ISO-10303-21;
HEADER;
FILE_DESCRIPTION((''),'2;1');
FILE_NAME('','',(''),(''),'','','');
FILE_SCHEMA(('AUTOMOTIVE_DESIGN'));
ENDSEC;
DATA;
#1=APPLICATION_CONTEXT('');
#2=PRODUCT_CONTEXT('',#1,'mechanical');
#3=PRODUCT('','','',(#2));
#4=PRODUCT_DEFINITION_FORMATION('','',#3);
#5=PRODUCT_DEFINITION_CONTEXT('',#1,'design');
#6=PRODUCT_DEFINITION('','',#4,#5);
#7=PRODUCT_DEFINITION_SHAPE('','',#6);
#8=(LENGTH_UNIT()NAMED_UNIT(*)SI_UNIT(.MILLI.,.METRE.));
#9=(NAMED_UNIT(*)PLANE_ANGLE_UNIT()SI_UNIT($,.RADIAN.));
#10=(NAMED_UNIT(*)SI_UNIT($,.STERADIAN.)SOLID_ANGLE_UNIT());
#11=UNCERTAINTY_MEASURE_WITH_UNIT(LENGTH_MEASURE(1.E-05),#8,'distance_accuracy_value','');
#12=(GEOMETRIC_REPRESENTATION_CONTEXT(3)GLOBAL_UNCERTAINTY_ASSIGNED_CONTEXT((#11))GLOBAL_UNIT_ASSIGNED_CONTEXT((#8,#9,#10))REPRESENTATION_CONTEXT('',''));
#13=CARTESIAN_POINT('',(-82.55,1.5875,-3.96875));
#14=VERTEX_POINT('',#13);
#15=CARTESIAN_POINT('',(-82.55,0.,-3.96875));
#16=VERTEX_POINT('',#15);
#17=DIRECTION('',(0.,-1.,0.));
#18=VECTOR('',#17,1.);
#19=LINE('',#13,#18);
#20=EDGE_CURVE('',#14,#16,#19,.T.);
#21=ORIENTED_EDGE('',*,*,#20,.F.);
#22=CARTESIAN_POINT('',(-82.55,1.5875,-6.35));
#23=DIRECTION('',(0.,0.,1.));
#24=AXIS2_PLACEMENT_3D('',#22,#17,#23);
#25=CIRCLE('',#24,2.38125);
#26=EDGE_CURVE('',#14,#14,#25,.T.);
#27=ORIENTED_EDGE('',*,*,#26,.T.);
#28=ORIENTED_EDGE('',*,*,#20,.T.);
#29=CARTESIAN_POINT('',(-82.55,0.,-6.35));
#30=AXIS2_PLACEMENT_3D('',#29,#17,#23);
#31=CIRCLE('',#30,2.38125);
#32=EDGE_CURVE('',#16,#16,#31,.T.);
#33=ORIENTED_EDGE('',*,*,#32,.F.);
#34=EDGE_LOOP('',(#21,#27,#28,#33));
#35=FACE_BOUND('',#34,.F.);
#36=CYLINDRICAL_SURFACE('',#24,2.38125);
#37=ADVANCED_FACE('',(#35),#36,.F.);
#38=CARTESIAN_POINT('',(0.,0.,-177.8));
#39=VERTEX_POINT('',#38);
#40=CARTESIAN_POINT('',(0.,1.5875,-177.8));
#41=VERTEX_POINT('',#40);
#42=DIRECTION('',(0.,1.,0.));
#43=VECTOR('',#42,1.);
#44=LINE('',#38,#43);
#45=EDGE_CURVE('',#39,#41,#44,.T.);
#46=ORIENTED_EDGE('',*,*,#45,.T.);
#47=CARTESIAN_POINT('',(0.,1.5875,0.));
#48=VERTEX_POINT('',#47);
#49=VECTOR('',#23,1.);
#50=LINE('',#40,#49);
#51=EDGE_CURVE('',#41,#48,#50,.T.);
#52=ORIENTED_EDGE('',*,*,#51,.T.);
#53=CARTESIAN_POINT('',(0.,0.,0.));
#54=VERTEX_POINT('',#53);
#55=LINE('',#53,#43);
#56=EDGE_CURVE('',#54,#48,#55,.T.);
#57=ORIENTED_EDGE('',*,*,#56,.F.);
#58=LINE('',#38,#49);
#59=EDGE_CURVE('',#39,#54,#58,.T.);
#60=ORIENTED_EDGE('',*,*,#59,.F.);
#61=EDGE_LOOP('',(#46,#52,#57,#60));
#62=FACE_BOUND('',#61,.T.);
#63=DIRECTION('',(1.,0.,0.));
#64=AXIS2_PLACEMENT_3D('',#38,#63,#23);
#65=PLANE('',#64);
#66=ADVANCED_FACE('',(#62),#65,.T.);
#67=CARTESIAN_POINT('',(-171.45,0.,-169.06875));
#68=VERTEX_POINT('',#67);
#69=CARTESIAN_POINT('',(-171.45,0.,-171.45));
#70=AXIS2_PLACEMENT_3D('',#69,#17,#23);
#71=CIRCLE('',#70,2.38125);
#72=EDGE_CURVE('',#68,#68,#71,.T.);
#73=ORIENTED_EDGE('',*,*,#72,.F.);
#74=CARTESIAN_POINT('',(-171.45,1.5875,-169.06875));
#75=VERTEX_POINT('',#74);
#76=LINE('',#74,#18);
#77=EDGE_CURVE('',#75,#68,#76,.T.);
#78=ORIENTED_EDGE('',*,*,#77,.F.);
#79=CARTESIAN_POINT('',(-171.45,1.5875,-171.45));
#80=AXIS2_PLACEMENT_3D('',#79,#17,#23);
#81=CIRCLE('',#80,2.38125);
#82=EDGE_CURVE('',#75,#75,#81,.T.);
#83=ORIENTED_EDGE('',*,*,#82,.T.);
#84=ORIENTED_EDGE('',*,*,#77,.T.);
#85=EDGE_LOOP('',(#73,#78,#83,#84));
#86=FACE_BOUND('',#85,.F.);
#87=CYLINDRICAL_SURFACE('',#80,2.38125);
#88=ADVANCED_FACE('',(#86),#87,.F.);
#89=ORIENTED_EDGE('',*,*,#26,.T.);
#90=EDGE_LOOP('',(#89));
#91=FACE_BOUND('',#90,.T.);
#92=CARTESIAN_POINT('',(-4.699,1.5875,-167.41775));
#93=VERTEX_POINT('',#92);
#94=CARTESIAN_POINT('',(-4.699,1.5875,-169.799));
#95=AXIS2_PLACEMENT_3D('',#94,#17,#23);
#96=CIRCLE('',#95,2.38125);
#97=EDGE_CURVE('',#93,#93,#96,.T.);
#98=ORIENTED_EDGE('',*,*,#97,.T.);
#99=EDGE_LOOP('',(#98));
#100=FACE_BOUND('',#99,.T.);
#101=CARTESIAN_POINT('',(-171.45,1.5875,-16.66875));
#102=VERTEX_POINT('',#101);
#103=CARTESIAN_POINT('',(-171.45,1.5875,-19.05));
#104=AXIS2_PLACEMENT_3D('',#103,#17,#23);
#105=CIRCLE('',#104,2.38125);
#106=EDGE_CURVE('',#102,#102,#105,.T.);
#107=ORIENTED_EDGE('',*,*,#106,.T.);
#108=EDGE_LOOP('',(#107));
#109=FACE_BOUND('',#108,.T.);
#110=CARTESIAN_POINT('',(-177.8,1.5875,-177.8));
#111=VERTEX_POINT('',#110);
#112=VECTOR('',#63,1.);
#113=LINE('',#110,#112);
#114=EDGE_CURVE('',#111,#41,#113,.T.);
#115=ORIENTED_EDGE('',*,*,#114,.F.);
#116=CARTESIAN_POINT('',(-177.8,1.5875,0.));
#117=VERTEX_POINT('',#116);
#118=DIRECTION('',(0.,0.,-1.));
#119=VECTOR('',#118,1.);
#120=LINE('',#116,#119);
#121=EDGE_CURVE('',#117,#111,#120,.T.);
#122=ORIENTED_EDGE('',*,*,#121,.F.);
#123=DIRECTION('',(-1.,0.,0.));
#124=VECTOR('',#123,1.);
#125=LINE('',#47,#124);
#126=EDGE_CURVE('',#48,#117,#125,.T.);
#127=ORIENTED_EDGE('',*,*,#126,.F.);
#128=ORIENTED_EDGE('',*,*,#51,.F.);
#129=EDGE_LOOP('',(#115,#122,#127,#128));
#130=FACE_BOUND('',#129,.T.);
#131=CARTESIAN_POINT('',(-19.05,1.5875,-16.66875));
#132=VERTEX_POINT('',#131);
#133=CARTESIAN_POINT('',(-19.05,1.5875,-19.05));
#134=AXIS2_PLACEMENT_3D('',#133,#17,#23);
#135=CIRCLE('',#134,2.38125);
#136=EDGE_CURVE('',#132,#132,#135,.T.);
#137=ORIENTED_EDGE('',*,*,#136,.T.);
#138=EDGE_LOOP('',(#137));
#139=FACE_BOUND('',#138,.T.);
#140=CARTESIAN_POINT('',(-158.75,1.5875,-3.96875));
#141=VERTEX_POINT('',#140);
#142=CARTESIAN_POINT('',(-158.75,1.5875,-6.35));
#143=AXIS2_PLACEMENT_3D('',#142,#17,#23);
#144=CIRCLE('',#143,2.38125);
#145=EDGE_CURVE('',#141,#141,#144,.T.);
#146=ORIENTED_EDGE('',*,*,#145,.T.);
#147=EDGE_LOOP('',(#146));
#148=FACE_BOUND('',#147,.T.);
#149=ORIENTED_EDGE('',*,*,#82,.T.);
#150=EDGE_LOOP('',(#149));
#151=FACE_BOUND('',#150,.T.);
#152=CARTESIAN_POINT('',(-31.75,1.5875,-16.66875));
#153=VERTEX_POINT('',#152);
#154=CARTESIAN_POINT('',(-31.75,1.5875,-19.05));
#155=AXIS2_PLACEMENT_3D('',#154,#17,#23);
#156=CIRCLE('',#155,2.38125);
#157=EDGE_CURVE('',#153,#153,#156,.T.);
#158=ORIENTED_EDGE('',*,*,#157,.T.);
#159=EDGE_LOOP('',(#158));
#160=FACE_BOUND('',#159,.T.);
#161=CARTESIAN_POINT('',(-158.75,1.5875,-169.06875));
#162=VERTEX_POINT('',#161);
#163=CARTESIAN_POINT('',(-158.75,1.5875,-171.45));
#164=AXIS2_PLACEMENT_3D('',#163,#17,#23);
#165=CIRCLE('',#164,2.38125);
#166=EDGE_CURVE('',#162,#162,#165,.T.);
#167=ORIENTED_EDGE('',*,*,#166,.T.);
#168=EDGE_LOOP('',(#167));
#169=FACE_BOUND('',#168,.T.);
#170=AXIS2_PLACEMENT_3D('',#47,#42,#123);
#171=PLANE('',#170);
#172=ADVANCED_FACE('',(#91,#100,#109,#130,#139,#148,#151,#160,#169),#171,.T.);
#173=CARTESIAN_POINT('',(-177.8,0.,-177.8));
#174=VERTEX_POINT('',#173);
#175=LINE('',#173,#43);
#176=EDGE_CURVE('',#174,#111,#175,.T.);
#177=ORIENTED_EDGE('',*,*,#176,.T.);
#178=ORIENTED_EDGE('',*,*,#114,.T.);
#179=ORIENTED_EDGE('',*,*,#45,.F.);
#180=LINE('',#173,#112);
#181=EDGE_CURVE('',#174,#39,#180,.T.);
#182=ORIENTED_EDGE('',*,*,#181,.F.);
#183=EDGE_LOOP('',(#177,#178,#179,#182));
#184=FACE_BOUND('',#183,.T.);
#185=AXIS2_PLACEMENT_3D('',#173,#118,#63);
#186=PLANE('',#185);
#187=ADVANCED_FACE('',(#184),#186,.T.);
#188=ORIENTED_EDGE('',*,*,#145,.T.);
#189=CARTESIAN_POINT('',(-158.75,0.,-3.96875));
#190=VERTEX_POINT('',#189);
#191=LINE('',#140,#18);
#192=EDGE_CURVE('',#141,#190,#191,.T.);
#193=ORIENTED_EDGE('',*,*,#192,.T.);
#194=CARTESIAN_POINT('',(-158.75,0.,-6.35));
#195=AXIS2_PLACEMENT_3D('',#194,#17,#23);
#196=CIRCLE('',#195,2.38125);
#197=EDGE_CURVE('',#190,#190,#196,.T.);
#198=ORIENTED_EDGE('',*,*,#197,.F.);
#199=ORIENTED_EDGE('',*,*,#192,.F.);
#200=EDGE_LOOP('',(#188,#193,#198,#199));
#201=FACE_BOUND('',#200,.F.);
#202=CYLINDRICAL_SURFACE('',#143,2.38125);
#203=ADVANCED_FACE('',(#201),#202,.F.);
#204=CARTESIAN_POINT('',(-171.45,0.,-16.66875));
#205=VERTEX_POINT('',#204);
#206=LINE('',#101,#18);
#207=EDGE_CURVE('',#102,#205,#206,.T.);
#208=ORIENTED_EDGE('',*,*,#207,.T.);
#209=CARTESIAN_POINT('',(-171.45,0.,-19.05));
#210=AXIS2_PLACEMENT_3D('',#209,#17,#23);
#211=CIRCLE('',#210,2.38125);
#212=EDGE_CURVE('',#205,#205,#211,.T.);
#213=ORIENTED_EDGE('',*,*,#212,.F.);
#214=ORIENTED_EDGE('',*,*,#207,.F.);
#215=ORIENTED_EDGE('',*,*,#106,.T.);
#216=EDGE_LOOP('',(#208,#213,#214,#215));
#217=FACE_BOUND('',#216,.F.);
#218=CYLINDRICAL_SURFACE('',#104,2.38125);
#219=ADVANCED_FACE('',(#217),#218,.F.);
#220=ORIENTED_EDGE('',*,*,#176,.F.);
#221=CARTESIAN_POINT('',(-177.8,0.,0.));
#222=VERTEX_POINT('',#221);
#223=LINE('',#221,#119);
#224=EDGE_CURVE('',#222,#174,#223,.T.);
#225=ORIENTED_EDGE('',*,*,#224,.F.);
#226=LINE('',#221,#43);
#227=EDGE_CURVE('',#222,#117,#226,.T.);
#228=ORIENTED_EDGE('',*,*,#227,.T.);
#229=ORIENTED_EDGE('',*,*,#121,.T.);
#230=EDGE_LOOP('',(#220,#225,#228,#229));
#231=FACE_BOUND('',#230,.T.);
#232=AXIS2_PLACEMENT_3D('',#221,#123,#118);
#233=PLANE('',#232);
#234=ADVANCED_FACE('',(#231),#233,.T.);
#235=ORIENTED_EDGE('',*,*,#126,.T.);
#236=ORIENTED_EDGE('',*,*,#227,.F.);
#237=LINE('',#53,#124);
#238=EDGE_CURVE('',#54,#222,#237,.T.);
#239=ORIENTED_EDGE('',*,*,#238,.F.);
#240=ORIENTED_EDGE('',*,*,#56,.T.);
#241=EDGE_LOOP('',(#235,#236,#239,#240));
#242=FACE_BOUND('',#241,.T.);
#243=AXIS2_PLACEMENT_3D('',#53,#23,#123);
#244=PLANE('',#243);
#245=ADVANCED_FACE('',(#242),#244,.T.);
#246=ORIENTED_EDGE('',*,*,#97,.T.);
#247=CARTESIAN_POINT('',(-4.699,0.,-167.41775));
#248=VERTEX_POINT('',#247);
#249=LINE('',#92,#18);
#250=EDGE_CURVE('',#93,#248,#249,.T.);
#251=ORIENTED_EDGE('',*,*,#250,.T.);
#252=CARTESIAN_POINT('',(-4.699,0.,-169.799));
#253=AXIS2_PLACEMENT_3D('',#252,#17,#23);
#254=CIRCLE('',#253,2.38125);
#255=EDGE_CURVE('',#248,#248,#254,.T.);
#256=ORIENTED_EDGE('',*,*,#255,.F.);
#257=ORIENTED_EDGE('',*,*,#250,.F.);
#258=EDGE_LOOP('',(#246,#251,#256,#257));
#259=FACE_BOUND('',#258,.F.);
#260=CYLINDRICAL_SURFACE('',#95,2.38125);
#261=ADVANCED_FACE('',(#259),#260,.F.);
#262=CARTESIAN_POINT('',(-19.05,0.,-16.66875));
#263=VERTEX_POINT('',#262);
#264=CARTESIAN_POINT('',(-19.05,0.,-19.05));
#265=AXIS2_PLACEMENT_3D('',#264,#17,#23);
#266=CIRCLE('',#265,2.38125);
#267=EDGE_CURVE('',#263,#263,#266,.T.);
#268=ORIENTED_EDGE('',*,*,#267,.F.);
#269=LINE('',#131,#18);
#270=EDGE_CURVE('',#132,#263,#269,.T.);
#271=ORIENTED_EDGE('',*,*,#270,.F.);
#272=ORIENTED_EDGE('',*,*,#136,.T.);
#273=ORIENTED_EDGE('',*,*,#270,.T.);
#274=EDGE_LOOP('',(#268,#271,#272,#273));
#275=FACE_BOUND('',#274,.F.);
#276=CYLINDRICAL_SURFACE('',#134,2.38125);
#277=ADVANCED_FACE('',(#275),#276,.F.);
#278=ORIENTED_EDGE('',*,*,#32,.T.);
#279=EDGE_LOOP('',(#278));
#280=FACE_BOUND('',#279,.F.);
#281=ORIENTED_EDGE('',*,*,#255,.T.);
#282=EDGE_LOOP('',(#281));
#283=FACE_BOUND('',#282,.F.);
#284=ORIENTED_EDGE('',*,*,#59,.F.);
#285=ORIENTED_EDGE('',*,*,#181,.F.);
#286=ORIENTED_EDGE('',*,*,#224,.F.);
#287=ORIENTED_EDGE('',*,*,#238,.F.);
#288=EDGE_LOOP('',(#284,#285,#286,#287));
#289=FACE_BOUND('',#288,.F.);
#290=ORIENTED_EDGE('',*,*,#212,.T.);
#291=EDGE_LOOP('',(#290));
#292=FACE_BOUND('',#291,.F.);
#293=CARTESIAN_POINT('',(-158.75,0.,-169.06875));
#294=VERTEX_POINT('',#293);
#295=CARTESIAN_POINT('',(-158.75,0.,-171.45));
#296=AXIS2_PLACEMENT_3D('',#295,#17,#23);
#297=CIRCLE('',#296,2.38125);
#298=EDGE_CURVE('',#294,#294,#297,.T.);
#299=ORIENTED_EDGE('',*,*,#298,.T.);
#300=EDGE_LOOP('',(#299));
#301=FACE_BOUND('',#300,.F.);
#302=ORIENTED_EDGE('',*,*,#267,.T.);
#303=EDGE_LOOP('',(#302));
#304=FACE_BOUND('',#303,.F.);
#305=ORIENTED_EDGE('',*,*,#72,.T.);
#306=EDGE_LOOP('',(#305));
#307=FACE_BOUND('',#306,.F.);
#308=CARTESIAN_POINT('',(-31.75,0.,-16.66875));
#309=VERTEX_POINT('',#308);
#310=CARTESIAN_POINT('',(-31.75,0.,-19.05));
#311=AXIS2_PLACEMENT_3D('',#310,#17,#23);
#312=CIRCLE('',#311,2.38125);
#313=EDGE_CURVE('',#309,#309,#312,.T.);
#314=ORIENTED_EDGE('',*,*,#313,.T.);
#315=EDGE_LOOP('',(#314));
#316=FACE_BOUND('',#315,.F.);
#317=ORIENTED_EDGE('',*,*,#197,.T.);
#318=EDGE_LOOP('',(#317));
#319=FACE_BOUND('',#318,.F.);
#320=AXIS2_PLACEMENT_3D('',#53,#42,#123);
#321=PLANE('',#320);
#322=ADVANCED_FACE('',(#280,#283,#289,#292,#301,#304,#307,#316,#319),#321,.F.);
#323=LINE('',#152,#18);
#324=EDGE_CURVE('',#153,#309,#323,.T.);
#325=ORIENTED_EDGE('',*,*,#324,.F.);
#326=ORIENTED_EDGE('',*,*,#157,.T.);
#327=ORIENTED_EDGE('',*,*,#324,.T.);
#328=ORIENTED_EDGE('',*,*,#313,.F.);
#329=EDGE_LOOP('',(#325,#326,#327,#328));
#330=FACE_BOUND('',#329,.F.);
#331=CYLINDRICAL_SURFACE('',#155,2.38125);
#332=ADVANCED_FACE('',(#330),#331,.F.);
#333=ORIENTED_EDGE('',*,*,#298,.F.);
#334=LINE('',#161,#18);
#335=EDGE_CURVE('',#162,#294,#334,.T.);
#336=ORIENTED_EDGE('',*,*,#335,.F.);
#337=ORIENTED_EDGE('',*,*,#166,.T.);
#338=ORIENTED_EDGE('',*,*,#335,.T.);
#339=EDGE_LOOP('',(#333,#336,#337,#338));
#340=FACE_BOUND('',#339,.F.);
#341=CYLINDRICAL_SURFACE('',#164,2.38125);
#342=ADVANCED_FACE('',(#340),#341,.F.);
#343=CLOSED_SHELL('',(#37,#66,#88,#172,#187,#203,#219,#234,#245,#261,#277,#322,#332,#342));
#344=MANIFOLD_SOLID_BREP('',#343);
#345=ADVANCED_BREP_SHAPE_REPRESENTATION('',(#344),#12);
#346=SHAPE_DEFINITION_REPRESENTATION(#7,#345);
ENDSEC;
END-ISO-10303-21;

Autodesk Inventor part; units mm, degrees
ref_plane "YZ Plane" through (0, 0, 0) normal (1, 0, 0) x (0, 1, 0)
ref_plane "XZ Plane" through (0, 0, 0) normal (0, 1, 0) x (-1, 0, 0)
ref_plane "XY Plane" through (0, 0, 0) normal (0, 0, 1) x (1, 0, 0)
sketch "Sketch1" plane through (0, 0, 0) normal (0, 1, 0) x (-1, 0, 0)
  line L0 (0, 0) -> (177.8, 0)
  line L1 (177.8, 0) -> (177.8, -177.8)
  line L2 (177.8, -177.8) -> (0, -177.8)
  line L3 (0, -177.8) -> (0, 0)
  dimension "d0" = 177.8
  dimension "d1" = 177.8
extrude "Extrusion1" add sketch "Sketch1" along normal blind 1.5875
sketch "Sketch2" plane through (0, 1.5875, 0) normal (0, 1, 0) x (1, 0, 0)
  line L0 (-177.8, 177.8) -> (-177.8, 0) projected
  line L1 (-177.8, 177.8) -> (-177.8, 165.1)
  line L2 (-177.8, 165.1) -> (-165.1, 177.8)
  line L3 (0, 177.8) -> (-177.8, 177.8) projected
  line L4 (-177.8, 177.8) -> (-171.45, 171.45)
  line L5 (-171.45, 171.45) -> (-158.75, 171.45)
  line L6 (-177.8, 0) -> (-165.1, 0)
  line L7 (-177.8, 0) -> (0, 0) projected
  line L8 (0, 177.8) -> (-12.7, 177.8)
  line L9 (0, 0) -> (0, 177.8) projected
  line L10 (0, 0) -> (0, 12.7)
  line L11 (0, 12.7) -> (-12.7, 0)
  line L12 (0, 0) -> (-6.35, 6.35)
  line L13 (-6.35, 6.35) -> (-6.35, 19.05)
  line L14 (-6.35, 19.05) -> (-19.05, 19.05)
  line L15 (-19.05, 19.05) -> (-31.75, 19.05)
  line L16 (-12.7, 177.8) -> (0, 165.1)
  line L17 (0, 177.8) -> (-6.35, 171.45)
  line L18 (-165.1, 0) -> (-177.8, 12.7)
  line L19 (-177.8, 0) -> (-171.45, 6.35)
  line L20 (-171.45, 6.35) -> (-171.45, 19.05)
  line L21 (-171.45, 6.35) -> (-158.75, 6.35)
  line L22 (-6.35, 171.45) -> (-6.35, 169.799)
  line L23 (-6.35, 169.799) -> (-4.699, 169.799)
  dimension "d4" = 12.7
  dimension "d5" = 45
  dimension "d6" = 12.7
  dimension "d7" = 12.7
  dimension "d12" = 12.7
  dimension "d28" = 1.651
hole "Hole2" at (-171.45, 1.5875, -171.45) at (-158.75, 1.5875, -171.45) at (-19.05, 1.5875, -19.05) at (-31.75, 1.5875, -19.05) at (-171.45, 1.5875, -19.05) at (-158.75, 1.5875, -6.35) at (-4.699, 1.5875, -169.799) direction (0, -1, 0) diameter 4.7625 end through all
sketch "Sketch3" plane through (0, 1.5875, 0) normal (0, 1, 0) x (1, 0, 0)
  line L0 (0, 0) -> (0, 12.7)
  line L1 (0, 0) -> (0, 177.8) projected
  line L2 (0, 12.7) -> (-12.7, 0)
  line L3 (-177.8, 0) -> (0, 0) projected
  line L4 (-12.7, 0) -> (0, 0)
  line L5 (0, 0) -> (-6.35, 6.35)
  line L6 (-6.35, 6.35) -> (-82.55, 6.35)
  dimension "d29" = 12.7
  dimension "d30" = 45
  dimension "d31" = 76.2
hole "Hole3" at (-82.55, 1.5875, -6.35) direction (0, -1, 0) diameter 4.7625 end through all
properties part number "shoot" material "ABS Plastic"
